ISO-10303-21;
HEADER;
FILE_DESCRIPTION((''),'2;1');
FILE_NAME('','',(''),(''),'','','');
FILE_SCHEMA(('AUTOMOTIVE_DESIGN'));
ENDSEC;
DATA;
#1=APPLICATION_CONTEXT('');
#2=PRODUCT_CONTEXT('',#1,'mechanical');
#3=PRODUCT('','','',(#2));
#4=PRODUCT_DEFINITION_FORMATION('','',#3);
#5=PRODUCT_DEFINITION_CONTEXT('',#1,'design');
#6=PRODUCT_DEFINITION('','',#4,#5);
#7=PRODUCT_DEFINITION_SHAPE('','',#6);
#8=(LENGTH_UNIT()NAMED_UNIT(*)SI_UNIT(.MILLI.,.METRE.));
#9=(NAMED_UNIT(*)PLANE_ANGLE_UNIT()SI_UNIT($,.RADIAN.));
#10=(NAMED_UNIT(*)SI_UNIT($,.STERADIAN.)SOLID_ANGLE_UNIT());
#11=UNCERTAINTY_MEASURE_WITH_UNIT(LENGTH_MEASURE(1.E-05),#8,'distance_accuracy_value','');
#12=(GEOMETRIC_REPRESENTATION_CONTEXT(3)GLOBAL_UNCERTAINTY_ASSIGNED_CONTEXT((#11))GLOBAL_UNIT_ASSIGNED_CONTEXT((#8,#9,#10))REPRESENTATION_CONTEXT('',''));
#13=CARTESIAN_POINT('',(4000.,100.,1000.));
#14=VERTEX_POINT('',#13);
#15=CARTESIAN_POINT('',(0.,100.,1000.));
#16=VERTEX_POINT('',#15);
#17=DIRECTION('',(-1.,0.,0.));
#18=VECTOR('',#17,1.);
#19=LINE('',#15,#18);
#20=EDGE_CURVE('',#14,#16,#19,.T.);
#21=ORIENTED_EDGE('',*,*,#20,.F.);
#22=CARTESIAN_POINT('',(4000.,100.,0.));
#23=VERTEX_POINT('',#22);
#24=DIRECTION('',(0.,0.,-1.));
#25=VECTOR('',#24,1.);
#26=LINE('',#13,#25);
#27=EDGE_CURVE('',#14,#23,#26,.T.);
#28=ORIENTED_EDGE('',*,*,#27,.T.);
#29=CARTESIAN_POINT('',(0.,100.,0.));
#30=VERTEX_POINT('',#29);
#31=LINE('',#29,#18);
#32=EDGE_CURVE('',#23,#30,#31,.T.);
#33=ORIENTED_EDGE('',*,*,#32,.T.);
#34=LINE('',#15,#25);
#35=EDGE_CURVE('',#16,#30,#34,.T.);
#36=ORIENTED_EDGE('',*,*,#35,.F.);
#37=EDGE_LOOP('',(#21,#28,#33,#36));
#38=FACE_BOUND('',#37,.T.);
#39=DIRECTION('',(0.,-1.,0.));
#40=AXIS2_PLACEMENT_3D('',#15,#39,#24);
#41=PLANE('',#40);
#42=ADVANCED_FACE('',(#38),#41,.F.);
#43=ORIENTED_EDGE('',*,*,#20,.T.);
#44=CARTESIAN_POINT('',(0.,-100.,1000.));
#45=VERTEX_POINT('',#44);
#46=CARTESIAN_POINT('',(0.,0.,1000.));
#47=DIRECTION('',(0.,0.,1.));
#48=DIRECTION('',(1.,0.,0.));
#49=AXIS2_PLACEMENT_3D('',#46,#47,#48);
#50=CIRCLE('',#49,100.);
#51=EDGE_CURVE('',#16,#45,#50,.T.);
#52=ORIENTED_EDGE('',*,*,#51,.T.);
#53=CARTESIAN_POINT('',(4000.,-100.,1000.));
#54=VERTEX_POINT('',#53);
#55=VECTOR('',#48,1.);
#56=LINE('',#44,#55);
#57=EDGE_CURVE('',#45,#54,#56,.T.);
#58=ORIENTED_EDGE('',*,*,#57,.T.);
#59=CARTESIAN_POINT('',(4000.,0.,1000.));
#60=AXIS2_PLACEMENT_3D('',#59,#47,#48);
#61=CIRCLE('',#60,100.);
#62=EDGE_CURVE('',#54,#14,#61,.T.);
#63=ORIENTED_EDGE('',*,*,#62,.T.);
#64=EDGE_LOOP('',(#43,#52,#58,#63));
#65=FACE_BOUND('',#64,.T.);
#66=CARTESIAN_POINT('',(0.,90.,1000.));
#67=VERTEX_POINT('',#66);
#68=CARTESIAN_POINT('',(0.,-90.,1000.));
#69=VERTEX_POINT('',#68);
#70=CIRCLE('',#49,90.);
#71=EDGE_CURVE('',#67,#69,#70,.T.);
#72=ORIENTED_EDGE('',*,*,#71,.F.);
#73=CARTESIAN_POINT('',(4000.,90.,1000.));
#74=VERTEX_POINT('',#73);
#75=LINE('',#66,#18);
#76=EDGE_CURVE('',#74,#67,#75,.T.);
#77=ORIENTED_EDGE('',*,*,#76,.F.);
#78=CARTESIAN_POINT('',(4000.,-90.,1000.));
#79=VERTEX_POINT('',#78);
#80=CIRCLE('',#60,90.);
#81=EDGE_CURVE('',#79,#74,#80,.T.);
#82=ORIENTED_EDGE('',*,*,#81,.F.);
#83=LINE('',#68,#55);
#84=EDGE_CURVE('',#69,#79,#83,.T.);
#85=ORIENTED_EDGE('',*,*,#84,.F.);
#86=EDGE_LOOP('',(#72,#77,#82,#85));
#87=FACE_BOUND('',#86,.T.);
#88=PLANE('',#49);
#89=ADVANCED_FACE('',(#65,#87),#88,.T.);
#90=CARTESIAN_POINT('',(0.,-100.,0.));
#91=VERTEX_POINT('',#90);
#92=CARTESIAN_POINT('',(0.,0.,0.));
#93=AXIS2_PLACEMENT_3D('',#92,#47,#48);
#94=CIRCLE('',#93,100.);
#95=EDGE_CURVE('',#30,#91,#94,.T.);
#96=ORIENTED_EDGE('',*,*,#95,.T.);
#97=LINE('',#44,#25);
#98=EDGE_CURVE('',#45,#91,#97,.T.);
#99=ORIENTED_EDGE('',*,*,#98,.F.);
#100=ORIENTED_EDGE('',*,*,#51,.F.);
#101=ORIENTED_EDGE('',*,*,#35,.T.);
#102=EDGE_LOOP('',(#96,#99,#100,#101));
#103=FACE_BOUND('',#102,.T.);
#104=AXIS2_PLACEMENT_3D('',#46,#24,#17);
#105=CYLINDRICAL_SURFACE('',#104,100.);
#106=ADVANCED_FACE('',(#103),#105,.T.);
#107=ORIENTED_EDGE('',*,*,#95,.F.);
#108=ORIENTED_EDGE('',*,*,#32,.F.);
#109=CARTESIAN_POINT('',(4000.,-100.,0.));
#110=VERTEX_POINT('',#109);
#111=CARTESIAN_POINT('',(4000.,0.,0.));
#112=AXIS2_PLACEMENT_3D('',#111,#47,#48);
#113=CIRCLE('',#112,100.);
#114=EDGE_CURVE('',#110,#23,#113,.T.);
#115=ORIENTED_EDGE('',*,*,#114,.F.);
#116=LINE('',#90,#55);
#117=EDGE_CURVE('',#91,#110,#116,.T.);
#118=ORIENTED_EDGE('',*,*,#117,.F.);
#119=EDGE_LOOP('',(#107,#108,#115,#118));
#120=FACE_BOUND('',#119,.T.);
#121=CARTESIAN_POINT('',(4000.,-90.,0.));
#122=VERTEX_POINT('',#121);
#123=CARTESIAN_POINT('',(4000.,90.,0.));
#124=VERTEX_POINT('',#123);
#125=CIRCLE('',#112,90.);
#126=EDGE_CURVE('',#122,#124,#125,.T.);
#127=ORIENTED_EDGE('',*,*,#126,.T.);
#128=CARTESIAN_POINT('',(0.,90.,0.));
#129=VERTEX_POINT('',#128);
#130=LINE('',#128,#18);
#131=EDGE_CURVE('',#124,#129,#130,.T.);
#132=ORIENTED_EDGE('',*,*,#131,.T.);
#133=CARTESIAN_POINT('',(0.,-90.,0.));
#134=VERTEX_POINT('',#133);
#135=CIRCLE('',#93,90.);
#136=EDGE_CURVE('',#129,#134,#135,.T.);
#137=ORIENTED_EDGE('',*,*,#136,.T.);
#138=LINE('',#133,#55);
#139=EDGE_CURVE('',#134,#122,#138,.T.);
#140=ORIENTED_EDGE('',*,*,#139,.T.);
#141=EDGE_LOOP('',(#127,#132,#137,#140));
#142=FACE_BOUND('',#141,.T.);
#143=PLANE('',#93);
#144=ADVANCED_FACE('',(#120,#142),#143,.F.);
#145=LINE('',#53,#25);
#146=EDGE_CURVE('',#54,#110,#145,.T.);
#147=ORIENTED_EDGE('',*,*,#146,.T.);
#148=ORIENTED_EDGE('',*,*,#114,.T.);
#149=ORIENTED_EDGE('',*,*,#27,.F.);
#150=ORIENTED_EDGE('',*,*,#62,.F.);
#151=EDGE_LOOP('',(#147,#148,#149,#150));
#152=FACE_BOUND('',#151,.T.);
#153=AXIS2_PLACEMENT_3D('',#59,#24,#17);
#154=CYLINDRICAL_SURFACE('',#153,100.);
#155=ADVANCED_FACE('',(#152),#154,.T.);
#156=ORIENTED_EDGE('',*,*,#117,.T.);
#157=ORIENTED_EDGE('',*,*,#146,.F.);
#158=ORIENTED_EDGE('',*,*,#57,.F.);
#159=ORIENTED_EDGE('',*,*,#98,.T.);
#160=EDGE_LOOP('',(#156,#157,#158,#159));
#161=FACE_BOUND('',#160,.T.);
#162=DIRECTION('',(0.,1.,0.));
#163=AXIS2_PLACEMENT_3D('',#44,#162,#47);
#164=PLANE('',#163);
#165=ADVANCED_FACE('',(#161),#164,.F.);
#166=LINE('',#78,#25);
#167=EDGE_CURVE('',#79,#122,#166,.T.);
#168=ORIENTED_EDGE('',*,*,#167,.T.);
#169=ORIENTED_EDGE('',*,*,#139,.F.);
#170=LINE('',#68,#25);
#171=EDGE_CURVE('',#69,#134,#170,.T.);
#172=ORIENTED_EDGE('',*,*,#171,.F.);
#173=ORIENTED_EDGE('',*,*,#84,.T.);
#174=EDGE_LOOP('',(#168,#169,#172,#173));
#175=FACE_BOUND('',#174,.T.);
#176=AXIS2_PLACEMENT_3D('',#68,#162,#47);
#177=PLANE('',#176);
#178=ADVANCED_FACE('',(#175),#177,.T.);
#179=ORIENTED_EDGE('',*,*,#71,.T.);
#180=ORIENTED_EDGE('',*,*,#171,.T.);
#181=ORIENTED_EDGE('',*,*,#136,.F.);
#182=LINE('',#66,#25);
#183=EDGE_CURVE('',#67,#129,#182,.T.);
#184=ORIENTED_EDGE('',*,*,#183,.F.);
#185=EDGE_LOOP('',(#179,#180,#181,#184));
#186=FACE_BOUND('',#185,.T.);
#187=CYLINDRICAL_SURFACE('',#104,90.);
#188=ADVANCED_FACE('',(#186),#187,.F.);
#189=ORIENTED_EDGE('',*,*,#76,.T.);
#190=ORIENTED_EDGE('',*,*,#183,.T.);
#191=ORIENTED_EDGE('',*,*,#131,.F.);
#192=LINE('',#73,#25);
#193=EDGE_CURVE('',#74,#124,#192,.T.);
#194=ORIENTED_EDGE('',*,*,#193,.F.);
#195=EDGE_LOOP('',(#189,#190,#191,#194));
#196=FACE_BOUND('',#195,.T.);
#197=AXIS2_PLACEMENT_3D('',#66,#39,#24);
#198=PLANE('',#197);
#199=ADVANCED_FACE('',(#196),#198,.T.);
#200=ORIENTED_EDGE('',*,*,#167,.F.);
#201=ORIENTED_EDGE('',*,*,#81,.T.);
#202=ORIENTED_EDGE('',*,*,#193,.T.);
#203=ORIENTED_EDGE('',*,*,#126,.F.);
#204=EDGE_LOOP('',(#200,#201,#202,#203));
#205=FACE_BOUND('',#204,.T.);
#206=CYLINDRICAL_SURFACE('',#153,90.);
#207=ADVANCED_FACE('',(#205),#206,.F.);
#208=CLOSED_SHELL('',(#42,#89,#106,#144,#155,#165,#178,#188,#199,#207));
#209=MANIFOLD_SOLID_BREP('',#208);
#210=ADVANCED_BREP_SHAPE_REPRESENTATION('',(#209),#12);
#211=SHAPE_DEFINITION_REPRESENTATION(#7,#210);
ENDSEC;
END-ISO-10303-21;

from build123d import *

# Parameters (mm, degrees)
BOSS_EXTRUDE1_DEPTH = 1000


with BuildPart() as part:
    # Sketch1 → Boss-Extrude1 (new body)
    with BuildSketch(Plane.XY):
        with BuildLine():
            Line((0, 100), (4000, 100))
            ThreePointArc((4000, 100), (4100, 0), (4000, -100))
            Line((4000, -100), (0, -100))
            ThreePointArc((0, -100), (-100, 0), (0, 100))
        make_face()
        with BuildLine():
            Line((0, 90), (4000, 90))
            ThreePointArc((4000, 90), (4090, 0), (4000, -90))
            Line((4000, -90), (0, -90))
            ThreePointArc((0, -90), (-90, 0), (0, 90))
        make_face(mode=Mode.SUBTRACT)
    extrude(amount=BOSS_EXTRUDE1_DEPTH)


solid = part.part
